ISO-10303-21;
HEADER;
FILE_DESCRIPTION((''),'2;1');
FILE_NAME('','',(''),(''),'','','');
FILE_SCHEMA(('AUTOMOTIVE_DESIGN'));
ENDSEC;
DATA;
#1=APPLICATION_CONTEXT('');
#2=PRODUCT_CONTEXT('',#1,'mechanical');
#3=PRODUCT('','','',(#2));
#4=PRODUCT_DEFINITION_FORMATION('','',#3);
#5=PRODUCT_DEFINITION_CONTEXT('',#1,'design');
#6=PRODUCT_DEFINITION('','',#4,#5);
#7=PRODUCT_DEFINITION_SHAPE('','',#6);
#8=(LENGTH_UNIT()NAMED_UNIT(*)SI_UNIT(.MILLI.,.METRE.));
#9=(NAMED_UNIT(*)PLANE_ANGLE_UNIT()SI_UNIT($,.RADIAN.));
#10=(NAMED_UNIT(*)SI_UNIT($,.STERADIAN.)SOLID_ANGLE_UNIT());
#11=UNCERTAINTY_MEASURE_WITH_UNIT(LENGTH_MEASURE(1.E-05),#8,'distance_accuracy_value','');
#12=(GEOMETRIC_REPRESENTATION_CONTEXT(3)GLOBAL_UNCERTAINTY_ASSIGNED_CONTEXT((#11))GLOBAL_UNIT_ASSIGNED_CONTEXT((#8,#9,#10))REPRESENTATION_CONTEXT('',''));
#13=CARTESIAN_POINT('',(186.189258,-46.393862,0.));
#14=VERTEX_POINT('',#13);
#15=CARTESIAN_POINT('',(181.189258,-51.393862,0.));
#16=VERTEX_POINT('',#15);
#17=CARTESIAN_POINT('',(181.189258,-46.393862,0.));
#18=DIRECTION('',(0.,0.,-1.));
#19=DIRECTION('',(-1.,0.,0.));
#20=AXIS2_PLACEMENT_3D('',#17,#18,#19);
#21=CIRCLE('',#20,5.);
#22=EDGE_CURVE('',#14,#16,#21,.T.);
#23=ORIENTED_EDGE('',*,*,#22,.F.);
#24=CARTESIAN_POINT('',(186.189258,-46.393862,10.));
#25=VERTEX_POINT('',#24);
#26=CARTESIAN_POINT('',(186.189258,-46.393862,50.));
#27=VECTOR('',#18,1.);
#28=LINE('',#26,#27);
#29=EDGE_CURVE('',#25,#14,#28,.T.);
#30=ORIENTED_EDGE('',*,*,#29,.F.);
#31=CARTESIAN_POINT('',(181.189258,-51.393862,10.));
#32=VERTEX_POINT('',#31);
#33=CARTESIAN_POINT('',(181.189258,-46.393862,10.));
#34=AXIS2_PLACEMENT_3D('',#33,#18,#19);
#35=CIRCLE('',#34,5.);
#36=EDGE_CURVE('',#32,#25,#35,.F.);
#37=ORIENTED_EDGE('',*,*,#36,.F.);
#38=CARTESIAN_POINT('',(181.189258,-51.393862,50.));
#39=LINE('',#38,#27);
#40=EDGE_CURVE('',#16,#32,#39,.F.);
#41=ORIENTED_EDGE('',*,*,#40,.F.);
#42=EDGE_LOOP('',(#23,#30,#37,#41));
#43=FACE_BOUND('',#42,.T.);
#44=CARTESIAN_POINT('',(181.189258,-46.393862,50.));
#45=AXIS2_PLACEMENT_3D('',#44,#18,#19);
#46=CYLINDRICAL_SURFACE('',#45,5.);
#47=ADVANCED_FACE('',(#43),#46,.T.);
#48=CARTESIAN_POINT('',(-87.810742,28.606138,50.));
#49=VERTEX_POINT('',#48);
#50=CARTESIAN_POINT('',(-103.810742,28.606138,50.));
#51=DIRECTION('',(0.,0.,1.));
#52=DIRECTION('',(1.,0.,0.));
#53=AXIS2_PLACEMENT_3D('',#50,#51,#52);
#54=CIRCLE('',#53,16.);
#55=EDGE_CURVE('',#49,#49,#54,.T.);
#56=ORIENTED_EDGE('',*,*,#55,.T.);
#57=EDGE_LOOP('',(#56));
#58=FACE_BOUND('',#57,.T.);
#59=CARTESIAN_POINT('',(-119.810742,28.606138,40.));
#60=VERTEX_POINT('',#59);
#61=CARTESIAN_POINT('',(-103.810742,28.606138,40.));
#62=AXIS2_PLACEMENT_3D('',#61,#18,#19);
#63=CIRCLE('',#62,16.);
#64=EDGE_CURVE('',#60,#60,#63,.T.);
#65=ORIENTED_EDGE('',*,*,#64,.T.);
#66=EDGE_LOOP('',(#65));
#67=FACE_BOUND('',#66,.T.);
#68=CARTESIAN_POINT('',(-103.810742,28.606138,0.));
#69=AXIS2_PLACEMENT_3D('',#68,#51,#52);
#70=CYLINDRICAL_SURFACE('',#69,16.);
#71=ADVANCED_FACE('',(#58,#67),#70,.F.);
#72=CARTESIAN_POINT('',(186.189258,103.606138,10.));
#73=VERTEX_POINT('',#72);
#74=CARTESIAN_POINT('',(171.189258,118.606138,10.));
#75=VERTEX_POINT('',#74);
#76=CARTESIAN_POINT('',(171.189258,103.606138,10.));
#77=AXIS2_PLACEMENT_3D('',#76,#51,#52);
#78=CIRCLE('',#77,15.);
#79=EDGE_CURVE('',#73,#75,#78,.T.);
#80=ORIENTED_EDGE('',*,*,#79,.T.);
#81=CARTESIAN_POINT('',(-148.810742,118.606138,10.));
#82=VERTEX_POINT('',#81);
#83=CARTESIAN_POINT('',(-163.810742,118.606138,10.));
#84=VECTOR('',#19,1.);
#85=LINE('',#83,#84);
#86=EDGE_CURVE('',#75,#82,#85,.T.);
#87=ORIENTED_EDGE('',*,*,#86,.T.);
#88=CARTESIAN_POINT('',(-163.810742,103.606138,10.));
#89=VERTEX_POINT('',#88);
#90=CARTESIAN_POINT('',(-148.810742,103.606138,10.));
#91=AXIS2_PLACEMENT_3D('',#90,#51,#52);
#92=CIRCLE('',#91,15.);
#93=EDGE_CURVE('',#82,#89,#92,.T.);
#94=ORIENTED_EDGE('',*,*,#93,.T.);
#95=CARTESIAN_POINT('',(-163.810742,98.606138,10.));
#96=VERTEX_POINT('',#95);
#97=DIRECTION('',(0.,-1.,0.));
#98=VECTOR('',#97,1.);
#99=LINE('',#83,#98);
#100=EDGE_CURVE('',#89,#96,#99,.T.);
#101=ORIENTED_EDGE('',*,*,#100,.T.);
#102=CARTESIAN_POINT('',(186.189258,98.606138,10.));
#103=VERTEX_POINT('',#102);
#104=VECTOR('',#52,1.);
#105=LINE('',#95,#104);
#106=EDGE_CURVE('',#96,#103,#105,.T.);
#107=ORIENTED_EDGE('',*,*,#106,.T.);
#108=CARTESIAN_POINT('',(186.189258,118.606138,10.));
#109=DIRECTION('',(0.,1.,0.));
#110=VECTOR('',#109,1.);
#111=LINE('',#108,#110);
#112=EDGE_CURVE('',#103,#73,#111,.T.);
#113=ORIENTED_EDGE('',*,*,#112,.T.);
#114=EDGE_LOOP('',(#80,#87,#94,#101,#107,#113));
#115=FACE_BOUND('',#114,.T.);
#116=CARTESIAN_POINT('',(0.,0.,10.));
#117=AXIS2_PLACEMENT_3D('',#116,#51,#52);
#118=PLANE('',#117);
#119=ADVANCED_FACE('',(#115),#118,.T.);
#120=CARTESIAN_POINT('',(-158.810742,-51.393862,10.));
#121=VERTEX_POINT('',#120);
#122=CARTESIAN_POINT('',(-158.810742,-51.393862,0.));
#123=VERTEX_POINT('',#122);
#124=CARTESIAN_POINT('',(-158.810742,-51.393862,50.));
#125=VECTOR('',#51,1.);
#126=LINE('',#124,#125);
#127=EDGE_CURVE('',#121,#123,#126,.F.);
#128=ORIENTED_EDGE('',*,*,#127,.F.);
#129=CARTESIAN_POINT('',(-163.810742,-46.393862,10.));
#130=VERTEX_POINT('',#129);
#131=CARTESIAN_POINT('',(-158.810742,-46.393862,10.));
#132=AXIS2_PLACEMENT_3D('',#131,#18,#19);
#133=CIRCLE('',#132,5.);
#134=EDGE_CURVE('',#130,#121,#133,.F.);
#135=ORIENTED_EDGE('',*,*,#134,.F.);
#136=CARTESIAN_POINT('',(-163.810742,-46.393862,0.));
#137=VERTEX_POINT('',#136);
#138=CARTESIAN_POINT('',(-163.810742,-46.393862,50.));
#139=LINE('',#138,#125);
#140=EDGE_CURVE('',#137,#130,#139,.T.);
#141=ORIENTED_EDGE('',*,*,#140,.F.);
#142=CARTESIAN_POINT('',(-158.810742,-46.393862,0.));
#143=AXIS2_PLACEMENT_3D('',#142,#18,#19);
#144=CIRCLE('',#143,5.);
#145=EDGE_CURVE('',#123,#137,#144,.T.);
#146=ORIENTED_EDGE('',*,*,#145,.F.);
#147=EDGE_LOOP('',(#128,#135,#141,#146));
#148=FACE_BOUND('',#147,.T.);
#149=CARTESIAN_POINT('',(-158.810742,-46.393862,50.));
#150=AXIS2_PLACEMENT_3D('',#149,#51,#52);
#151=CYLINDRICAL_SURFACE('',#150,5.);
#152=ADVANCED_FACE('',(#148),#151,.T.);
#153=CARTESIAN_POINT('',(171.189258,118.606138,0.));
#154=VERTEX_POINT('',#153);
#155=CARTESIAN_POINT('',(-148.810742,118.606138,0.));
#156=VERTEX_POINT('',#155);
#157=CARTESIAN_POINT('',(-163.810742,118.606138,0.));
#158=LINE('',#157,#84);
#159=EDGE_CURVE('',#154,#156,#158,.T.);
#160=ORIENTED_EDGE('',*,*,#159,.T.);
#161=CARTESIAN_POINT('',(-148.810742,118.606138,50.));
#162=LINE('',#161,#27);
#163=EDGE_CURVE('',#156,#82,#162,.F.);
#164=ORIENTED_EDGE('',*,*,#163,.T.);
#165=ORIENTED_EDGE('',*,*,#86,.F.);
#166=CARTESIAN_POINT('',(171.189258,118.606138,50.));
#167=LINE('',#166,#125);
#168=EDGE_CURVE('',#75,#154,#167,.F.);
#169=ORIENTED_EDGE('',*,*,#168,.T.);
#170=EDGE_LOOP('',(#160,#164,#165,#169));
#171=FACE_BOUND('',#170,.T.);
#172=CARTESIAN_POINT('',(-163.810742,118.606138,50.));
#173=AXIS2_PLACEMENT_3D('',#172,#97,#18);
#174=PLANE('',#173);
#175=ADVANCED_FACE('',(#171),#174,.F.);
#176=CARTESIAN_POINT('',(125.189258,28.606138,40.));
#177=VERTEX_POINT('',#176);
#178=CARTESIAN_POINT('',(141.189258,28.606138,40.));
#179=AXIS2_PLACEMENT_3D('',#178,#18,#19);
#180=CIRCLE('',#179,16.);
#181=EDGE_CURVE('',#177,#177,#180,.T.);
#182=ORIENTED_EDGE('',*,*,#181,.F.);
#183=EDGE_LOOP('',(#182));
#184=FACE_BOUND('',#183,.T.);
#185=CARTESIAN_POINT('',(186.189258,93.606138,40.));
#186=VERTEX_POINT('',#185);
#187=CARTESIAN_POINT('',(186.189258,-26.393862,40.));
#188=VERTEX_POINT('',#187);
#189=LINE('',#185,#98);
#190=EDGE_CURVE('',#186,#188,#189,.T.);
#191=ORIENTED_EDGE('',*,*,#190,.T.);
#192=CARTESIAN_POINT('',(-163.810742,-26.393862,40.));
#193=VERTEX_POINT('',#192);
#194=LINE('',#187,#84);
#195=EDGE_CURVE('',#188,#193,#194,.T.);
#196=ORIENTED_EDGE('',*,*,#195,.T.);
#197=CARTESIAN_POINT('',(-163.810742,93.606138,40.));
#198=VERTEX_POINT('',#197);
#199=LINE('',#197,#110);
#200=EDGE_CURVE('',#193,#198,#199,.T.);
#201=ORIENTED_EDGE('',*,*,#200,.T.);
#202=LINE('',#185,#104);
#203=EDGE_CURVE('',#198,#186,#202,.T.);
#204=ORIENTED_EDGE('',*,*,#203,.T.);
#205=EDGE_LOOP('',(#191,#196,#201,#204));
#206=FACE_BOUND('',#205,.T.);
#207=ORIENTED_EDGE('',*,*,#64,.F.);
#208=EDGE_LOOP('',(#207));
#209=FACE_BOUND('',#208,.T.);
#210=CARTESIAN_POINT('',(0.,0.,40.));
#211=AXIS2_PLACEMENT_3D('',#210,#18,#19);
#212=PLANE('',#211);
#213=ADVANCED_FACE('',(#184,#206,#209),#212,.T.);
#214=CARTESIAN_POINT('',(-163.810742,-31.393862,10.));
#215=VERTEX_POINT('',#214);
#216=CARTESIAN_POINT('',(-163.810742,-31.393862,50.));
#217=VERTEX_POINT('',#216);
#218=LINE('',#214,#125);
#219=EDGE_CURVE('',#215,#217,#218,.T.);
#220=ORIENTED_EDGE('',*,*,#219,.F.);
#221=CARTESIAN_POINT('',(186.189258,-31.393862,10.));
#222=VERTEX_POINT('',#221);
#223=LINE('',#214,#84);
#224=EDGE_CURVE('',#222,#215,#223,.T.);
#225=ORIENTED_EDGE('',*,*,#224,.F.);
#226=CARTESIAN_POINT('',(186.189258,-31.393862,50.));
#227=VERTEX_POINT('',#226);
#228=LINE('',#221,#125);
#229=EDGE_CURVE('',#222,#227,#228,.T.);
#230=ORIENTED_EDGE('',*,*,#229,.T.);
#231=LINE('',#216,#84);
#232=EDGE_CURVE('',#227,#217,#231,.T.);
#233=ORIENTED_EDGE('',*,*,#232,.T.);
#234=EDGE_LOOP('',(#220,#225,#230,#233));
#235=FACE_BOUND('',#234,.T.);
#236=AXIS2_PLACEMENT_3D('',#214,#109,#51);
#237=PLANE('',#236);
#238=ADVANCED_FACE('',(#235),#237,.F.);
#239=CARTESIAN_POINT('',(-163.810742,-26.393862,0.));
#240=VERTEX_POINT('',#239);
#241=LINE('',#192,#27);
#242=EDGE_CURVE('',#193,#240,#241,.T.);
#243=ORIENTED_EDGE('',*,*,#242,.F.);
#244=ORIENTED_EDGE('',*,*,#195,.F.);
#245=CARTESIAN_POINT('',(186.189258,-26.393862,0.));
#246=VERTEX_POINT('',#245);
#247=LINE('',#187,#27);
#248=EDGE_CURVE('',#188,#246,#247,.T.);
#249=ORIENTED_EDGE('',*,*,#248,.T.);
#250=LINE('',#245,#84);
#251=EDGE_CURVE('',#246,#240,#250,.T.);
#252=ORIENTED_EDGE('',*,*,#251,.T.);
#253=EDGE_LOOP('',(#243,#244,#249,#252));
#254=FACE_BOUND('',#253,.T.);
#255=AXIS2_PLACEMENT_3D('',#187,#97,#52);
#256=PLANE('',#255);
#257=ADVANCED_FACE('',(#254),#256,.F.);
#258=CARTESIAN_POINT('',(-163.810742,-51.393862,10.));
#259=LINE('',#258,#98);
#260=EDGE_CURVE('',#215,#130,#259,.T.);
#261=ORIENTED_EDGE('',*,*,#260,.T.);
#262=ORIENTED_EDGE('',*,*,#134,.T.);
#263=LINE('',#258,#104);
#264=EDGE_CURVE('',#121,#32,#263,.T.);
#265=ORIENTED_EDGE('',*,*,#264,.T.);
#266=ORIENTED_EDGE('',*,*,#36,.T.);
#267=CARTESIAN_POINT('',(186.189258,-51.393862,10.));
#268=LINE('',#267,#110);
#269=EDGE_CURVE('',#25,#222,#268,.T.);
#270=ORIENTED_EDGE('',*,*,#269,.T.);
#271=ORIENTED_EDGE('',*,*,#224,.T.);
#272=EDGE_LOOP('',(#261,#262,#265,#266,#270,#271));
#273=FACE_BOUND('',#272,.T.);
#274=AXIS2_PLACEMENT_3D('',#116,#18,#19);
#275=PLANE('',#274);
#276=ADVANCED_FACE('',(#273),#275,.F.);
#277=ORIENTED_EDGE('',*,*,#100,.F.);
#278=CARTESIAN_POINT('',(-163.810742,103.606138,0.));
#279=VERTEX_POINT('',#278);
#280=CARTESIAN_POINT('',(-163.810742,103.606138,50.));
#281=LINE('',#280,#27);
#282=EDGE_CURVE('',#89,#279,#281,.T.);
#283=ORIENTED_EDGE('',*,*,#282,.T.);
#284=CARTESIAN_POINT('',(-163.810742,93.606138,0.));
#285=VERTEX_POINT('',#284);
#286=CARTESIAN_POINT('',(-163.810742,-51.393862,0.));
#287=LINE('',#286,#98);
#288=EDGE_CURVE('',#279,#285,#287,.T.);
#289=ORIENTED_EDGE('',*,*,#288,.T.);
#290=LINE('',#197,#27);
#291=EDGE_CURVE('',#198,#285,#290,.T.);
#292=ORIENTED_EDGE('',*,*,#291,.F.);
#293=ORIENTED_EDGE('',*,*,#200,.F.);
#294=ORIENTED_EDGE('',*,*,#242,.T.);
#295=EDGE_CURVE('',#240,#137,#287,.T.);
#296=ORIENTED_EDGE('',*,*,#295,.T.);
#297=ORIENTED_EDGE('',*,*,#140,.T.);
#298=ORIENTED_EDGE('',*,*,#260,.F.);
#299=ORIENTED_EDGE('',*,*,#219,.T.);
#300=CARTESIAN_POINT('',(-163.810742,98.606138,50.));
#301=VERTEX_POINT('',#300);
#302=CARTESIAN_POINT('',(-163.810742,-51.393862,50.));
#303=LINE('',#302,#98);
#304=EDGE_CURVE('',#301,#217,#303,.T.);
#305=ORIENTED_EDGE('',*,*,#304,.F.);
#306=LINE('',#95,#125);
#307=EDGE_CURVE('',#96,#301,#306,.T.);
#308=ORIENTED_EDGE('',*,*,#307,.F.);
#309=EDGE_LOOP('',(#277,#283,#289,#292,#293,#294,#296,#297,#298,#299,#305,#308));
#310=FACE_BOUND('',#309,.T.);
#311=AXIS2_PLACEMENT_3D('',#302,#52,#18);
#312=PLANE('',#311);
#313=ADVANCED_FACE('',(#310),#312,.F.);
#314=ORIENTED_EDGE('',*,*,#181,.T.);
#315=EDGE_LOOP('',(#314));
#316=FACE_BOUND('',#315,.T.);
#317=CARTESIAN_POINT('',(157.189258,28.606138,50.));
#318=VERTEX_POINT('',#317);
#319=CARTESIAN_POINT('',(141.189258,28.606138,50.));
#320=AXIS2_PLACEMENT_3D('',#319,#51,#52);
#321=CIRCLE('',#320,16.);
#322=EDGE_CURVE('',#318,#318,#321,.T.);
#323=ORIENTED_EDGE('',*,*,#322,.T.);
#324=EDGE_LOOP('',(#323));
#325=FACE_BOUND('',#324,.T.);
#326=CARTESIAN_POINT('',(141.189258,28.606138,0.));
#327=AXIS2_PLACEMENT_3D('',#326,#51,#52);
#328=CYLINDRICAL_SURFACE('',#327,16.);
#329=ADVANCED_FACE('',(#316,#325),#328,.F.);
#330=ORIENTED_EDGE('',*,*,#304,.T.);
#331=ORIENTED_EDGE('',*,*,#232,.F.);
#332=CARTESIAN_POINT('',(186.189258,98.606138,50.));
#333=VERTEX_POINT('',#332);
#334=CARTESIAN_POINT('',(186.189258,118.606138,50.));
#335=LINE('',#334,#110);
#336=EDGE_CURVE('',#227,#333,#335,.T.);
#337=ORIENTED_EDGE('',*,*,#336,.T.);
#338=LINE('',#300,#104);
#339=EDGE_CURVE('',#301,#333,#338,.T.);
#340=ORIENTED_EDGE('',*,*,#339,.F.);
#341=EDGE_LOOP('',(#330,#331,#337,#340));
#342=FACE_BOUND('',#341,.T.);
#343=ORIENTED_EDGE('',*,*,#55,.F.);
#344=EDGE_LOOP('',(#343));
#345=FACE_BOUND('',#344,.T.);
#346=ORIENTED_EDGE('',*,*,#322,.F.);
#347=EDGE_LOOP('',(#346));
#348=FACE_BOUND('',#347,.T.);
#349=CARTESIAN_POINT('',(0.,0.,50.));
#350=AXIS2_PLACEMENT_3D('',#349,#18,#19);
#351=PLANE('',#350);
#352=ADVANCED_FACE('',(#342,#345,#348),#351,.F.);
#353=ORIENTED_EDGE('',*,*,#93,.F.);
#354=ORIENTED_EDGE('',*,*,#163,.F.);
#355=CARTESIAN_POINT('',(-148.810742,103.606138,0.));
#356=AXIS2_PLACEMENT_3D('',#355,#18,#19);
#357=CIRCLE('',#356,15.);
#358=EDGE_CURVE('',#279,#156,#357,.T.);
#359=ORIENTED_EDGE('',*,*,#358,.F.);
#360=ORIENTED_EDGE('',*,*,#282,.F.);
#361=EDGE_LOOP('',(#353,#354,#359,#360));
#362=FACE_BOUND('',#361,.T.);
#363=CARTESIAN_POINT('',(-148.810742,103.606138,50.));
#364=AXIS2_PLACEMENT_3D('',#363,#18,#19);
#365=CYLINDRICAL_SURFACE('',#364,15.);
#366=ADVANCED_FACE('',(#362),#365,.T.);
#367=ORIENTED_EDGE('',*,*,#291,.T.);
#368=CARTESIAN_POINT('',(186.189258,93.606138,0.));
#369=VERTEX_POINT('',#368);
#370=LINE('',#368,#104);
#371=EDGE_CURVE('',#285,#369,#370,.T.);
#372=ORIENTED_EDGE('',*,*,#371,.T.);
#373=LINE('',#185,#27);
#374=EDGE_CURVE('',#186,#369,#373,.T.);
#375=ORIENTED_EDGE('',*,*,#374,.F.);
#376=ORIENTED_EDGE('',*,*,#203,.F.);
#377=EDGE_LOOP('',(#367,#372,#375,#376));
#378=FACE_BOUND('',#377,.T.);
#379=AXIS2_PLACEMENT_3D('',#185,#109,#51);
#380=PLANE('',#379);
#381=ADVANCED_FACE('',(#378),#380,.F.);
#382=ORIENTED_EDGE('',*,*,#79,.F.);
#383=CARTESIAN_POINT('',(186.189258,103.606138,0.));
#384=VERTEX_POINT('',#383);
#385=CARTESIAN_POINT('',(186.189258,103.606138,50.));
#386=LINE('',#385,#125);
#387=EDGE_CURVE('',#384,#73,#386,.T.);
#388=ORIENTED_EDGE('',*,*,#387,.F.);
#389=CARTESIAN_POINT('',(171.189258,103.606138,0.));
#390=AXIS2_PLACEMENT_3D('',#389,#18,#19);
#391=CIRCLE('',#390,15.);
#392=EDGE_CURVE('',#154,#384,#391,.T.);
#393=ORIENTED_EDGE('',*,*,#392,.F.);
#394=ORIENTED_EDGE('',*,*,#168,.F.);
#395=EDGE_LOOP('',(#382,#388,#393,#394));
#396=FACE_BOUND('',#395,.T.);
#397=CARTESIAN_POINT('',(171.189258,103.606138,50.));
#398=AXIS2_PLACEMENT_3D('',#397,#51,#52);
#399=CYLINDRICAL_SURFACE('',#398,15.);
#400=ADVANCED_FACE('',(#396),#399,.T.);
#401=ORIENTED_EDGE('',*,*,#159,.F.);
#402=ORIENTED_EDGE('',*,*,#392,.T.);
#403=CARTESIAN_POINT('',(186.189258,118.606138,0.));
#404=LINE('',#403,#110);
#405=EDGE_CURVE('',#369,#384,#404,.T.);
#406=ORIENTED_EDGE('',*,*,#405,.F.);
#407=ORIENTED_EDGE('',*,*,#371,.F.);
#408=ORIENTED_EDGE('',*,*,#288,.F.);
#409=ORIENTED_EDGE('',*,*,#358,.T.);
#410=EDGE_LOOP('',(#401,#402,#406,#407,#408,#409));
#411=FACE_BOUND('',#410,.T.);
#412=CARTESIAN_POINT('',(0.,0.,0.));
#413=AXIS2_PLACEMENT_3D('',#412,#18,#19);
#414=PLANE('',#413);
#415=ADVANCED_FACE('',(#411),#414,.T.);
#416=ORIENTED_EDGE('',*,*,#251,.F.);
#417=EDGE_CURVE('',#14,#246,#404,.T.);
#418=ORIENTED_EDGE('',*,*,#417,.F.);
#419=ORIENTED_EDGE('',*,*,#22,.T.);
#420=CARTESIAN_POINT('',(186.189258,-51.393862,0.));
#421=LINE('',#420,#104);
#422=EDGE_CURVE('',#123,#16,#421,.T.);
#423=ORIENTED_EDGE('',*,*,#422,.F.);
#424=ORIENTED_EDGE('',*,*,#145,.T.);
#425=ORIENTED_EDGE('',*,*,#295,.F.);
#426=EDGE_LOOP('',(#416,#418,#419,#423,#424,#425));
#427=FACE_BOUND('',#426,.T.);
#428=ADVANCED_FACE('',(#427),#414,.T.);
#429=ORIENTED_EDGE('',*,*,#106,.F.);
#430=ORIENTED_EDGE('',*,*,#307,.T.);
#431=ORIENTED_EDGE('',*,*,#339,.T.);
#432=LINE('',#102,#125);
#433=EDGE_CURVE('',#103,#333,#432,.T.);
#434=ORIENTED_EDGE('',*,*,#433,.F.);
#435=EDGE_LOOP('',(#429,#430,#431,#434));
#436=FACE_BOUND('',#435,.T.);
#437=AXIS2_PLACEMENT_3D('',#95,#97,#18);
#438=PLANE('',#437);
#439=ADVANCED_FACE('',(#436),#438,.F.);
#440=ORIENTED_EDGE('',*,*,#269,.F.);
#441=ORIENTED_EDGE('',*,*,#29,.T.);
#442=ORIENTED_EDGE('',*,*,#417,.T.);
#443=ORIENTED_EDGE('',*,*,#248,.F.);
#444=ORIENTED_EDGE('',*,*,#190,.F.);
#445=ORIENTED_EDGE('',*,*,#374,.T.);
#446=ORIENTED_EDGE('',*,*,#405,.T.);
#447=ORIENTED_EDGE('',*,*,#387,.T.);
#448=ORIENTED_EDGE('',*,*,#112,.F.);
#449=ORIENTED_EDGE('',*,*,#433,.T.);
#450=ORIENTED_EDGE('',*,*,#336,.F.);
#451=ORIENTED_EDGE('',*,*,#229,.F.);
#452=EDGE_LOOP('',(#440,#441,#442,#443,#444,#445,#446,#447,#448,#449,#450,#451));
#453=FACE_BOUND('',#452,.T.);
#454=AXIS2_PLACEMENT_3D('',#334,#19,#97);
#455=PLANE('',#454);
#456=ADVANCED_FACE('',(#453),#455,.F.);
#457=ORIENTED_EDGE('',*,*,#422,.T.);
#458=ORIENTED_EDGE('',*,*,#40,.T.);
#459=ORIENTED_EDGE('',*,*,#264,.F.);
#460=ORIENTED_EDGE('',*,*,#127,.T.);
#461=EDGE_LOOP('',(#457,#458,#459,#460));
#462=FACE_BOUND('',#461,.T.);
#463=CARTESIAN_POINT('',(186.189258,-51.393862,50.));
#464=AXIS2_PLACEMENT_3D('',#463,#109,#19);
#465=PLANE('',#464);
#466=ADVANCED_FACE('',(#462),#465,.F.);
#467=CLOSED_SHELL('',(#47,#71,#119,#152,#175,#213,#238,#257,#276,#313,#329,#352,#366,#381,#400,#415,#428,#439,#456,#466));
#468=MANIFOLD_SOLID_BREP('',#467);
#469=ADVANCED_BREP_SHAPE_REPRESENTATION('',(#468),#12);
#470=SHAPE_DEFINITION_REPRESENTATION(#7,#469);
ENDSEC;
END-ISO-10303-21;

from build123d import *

# Parameters (mm, degrees)
SKETCH_1_W          = 350
SKETCH_1_H          = 170
EXTRUDE_1_DEPTH     = 50
SKETCH_2_W          = 350
SKETCH_2_H          = 20
CUT_EXTRUDE_1_DEPTH = 40
SKETCH_3_W          = 350
SKETCH_3_H          = 120
CUT_EXTRUDE_2_DEPTH = 40
SKETCH_4_R          = 16
CUT_EXTRUDE_3_DEPTH = 227.34896931
FILLET_1_R          = 5
FILLET_2_R          = 5
FILLET_3_R          = 15
FILLET_4_R          = 15


with BuildPart() as part:
    # 草图1 → 凸台-拉伸1 (new body)
    with BuildSketch(Plane.XY):
        with Locations((11.189258312, 33.606138107)):
            Rectangle(SKETCH_1_W, SKETCH_1_H)
    extrude(amount=EXTRUDE_1_DEPTH)

    # 草图2 → 切除-拉伸1 (cut)
    with BuildSketch(Plane.XY.offset(50)):
        with Locations((11.189258312, -41.393861893)):
            Rectangle(SKETCH_2_W, SKETCH_2_H)
        with Locations((11.189258312, 108.606138107)):
            Rectangle(SKETCH_2_W, SKETCH_2_H)
    extrude(amount=-CUT_EXTRUDE_1_DEPTH, mode=Mode.SUBTRACT)

    # 草图3 → 切除-拉伸2 (cut)
    with BuildSketch(Plane(origin=(0, 0, 0), x_dir=(-1, 0, 0), z_dir=(0, 0, -1))):
        with Locations((-11.189258312, 33.606138107)):
            Rectangle(SKETCH_3_W, SKETCH_3_H)
    extrude(amount=-CUT_EXTRUDE_2_DEPTH, mode=Mode.SUBTRACT)

    # 草图4 → 切除-拉伸3 (cut, through all)
    with BuildSketch(Plane.XY.offset(50)):
        with Locations((-103.810741688, 28.606138107)):
            Circle(SKETCH_4_R)
        with Locations((141.189258312, 28.606138107)):
            Circle(SKETCH_4_R)
    extrude(amount=-CUT_EXTRUDE_3_DEPTH, mode=Mode.SUBTRACT)

    # 圆角1
    fillet_1_edges = [part.edges().sort_by_distance(p)[0] for p in [
        (-163.810741688, -51.393861893, 5),
    ]]
    fillet(fillet_1_edges, radius=FILLET_1_R)

    # 圆角2
    fillet_2_edges = [part.edges().sort_by_distance(p)[0] for p in [
        (186.189258312, -51.393861893, 5),
    ]]
    fillet(fillet_2_edges, radius=FILLET_2_R)

    # 圆角3
    fillet_3_edges = [part.edges().sort_by_distance(p)[0] for p in [
        (186.189258312, 118.606138107, 5),
    ]]
    fillet(fillet_3_edges, radius=FILLET_3_R)

    # 圆角4
    fillet_4_edges = [part.edges().sort_by_distance(p)[0] for p in [
        (-163.810741688, 118.606138107, 5),
    ]]
    fillet(fillet_4_edges, radius=FILLET_4_R)


solid = part.part
